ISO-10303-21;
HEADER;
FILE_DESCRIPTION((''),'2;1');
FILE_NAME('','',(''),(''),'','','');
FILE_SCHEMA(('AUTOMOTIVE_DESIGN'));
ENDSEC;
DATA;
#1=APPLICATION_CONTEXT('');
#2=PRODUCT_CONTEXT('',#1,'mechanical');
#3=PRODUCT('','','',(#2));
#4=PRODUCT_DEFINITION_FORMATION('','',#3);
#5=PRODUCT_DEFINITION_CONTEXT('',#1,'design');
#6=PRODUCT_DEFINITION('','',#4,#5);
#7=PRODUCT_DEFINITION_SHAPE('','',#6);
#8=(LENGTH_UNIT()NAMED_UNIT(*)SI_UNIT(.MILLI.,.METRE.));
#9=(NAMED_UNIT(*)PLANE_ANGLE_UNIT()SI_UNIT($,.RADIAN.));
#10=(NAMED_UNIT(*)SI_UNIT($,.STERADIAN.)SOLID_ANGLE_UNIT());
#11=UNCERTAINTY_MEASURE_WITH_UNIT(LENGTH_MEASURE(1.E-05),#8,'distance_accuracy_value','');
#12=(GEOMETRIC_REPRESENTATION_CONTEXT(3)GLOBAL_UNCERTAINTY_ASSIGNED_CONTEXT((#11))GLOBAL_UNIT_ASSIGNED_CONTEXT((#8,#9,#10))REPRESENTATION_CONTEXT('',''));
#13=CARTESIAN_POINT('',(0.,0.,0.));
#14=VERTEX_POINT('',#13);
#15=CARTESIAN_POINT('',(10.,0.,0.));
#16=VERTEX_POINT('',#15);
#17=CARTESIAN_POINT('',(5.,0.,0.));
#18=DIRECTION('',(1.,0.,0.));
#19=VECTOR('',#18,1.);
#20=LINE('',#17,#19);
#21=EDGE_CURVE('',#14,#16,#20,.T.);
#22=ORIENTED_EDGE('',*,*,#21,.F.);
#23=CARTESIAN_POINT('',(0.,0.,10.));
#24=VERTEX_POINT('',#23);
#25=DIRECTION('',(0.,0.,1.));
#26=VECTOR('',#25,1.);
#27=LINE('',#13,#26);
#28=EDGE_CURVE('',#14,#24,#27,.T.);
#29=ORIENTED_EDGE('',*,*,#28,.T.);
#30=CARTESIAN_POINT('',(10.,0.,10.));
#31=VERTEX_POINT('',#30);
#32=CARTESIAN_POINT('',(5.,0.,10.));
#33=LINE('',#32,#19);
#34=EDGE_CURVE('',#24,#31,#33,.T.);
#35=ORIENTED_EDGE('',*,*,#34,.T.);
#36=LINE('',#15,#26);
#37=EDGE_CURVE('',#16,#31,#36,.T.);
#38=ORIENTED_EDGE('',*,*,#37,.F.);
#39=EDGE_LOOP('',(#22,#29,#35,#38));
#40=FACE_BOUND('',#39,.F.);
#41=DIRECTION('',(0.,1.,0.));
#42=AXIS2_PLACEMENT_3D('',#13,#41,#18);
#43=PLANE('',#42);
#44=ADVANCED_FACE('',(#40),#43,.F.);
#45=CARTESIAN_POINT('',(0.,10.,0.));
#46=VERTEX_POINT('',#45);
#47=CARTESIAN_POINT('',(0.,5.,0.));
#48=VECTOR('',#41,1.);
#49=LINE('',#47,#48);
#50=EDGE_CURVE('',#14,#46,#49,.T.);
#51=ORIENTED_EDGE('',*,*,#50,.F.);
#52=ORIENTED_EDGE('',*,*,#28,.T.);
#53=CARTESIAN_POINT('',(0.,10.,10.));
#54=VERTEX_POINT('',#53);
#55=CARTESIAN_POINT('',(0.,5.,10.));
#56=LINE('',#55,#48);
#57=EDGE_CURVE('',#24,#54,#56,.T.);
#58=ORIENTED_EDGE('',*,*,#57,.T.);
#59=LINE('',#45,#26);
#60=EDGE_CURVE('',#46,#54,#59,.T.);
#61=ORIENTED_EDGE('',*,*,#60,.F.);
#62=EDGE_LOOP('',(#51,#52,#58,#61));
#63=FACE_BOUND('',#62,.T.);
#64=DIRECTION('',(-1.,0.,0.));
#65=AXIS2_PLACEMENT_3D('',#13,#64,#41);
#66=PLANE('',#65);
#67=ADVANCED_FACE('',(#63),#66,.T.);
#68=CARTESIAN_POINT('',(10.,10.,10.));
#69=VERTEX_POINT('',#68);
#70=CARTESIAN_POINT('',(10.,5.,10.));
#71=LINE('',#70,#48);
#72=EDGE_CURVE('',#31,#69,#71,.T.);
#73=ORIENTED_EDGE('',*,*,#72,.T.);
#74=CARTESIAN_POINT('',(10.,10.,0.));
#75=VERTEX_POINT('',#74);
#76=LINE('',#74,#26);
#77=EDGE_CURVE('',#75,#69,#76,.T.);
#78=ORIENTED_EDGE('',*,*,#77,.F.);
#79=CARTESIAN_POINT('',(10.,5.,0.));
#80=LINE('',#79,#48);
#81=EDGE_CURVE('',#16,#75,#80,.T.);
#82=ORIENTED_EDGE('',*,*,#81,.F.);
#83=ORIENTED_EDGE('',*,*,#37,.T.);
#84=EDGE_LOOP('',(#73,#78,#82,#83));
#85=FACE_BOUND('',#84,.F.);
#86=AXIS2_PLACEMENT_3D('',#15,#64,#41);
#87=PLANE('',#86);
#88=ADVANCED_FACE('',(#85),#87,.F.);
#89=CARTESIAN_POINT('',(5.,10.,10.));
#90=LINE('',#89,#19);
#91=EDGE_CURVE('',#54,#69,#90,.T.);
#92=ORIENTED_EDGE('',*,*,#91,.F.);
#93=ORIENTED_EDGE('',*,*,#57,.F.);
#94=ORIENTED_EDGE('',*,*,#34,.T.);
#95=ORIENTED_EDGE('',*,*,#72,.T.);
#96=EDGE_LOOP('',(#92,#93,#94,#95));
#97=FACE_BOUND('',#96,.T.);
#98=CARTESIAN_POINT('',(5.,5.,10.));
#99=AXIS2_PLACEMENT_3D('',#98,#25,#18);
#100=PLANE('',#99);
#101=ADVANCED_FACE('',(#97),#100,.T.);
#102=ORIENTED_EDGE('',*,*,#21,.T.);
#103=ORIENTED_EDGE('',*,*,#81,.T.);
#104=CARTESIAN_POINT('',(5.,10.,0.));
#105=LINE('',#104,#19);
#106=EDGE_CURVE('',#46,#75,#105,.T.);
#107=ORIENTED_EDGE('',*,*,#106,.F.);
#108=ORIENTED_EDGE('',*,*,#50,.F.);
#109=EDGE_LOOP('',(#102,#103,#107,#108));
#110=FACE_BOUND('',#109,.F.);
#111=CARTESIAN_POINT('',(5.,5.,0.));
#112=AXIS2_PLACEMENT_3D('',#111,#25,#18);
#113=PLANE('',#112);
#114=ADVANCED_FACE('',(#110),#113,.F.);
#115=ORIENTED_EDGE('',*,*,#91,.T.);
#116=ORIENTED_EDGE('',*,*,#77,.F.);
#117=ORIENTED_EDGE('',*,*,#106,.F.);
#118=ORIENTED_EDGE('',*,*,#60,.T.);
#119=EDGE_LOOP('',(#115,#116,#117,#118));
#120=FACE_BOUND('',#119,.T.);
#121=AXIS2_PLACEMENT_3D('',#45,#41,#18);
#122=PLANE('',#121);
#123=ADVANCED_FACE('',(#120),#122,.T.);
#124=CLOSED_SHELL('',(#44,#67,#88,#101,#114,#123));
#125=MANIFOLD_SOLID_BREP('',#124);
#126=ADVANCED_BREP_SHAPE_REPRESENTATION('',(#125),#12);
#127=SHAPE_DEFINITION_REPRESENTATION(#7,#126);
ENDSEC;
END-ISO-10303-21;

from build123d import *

# Parameters (mm, degrees)
SKETCH_W  = 10
SKETCH_H  = 10
PAD_DEPTH = 10


with BuildPart() as part:
    # Sketch → Pad (new body)
    with BuildSketch(Plane.XY):
        with Locations((5, 5)):
            Rectangle(SKETCH_W, SKETCH_H)
    extrude(amount=PAD_DEPTH)


solid = part.part
